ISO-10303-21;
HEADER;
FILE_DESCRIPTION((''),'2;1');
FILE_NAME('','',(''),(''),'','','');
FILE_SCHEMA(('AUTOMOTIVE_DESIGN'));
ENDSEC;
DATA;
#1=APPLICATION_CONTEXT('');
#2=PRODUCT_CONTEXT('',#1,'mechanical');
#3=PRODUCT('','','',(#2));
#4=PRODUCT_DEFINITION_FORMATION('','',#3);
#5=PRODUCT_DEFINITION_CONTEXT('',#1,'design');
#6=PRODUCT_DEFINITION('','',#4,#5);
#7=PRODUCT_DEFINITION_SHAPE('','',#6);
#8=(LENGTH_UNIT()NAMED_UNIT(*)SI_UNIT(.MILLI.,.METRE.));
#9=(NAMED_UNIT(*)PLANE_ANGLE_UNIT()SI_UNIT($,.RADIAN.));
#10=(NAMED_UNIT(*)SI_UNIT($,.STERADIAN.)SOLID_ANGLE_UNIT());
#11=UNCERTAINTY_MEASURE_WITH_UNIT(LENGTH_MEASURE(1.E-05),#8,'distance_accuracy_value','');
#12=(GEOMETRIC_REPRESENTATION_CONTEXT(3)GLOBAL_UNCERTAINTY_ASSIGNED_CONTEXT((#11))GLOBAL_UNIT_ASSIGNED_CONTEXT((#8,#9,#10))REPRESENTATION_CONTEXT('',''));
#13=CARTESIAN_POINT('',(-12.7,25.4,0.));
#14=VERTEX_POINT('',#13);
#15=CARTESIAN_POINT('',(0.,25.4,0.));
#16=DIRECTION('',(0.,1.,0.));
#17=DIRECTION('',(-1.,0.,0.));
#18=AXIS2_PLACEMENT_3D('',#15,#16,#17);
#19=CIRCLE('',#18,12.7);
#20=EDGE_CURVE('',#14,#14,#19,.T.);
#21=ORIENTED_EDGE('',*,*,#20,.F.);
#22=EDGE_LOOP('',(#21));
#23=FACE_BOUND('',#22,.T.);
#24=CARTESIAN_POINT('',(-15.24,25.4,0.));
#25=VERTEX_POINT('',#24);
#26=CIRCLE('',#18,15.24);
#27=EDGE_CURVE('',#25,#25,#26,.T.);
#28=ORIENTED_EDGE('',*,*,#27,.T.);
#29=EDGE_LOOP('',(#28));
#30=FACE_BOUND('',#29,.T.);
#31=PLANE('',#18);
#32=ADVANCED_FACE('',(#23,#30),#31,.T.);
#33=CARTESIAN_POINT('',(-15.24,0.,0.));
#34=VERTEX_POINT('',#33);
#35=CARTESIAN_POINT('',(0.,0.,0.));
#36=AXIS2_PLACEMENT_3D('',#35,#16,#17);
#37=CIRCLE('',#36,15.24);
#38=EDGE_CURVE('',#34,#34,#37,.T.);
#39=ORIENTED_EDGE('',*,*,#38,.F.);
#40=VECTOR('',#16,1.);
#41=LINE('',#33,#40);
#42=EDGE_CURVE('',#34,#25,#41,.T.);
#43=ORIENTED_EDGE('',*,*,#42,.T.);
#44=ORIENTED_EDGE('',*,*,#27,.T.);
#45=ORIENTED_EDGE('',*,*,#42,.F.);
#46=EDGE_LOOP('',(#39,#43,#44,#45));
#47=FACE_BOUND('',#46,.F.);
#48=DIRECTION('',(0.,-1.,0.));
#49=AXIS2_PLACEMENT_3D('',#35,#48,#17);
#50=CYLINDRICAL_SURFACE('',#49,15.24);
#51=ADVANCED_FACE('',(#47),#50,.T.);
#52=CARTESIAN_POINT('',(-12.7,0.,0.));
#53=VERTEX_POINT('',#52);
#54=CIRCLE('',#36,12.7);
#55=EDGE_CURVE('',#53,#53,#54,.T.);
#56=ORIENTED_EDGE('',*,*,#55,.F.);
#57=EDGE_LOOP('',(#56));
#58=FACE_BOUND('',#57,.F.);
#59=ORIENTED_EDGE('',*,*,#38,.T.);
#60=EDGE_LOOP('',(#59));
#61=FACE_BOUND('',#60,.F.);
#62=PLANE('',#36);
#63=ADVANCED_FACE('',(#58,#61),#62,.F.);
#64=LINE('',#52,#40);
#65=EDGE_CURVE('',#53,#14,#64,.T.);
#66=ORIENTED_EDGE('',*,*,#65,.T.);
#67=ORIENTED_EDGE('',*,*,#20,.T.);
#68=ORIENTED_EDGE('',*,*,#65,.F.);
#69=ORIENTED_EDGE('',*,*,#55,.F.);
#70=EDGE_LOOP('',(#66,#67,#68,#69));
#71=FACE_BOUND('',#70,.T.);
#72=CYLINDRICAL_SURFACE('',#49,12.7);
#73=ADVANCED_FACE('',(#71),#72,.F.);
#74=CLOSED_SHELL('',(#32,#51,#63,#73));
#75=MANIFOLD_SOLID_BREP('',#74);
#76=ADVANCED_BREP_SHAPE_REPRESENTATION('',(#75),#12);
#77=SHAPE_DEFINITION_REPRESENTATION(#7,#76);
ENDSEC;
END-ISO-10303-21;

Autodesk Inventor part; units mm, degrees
ref_plane "YZ Plane" through (0, 0, 0) normal (1, 0, 0) x (0, 1, 0)
ref_plane "XZ Plane" through (0, 0, 0) normal (0, 1, 0) x (-1, 0, 0)
ref_plane "XY Plane" through (0, 0, 0) normal (0, 0, 1) x (1, 0, 0)
sketch "Sketch1" plane through (0, 0, 0) normal (0, 1, 0) x (-1, 0, 0)
  circle A0 centre (0, 0) radius 12.7
  circle A1 centre (0, 0) radius 15.24
  dimension "d0" = 25.4
  dimension "d3" = 2.54
extrude "Extrusion1" add sketch "Sketch1" along normal blind 25.4
properties part number "roundNorthBand" material "Rubber"
